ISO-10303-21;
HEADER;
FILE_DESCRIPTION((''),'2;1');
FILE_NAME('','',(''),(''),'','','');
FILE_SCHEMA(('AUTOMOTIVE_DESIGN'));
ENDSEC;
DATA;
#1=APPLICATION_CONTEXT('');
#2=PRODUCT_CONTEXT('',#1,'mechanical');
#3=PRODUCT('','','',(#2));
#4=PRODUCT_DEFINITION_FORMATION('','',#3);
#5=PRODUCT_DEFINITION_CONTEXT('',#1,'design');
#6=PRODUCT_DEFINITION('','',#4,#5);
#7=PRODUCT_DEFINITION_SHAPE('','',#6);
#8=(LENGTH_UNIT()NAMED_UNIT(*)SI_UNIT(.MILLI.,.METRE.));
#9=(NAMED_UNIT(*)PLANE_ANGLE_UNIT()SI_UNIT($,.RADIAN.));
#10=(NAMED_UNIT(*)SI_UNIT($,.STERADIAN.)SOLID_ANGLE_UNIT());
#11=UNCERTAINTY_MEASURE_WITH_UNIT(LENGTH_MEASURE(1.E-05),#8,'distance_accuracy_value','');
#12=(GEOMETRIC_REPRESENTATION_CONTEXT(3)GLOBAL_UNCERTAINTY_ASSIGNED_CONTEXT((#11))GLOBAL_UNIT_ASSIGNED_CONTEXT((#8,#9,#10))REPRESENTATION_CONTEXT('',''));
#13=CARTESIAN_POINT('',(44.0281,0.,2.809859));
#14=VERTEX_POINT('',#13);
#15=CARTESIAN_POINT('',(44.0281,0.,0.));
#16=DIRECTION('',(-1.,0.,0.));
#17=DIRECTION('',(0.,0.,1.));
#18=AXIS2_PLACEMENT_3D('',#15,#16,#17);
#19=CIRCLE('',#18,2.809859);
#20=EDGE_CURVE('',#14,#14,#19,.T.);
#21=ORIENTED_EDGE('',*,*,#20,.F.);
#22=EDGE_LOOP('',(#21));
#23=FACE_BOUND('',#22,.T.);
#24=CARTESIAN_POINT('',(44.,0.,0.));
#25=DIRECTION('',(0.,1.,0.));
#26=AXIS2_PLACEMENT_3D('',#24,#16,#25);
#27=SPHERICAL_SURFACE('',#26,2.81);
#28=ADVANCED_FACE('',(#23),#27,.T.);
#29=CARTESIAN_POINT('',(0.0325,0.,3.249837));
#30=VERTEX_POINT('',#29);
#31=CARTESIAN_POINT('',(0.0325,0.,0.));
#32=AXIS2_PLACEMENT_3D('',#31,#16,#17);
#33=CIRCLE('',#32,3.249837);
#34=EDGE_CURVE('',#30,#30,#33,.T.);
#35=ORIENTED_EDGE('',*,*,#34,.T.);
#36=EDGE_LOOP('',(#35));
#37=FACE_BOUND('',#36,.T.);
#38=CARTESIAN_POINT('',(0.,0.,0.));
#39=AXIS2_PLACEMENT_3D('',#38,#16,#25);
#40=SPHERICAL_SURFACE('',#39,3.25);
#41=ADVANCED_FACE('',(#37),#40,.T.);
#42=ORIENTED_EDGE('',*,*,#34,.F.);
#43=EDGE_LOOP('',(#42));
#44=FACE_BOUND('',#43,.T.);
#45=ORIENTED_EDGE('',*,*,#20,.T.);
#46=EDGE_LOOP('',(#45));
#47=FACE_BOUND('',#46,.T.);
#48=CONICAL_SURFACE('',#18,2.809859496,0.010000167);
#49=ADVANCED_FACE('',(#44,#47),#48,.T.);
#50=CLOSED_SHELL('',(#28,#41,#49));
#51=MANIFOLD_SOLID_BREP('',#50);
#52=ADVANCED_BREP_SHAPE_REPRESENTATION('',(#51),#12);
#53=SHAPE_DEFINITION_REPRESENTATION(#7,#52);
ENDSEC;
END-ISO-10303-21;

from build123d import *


with BuildPart() as part:
    # Sketch1 → Revolve1 (revolve)
    with BuildSketch(Plane.XY):
        with BuildLine():
            Line((0.0325, 3.249837496), (44.0281, 2.809859496))
            ThreePointArc((44.0281, 2.809859496), (45.996880192, 1.977010243), (46.81, 0))
            Line((46.81, 0), (-3.25, 0))
            ThreePointArc((-3.25, 0), (-2.286577683, 2.309558941), (0.0325, 3.249837496))
        make_face()
    revolve(axis=Axis((-3.25, 0, 0), (1, 0, 0)))


solid = part.part
